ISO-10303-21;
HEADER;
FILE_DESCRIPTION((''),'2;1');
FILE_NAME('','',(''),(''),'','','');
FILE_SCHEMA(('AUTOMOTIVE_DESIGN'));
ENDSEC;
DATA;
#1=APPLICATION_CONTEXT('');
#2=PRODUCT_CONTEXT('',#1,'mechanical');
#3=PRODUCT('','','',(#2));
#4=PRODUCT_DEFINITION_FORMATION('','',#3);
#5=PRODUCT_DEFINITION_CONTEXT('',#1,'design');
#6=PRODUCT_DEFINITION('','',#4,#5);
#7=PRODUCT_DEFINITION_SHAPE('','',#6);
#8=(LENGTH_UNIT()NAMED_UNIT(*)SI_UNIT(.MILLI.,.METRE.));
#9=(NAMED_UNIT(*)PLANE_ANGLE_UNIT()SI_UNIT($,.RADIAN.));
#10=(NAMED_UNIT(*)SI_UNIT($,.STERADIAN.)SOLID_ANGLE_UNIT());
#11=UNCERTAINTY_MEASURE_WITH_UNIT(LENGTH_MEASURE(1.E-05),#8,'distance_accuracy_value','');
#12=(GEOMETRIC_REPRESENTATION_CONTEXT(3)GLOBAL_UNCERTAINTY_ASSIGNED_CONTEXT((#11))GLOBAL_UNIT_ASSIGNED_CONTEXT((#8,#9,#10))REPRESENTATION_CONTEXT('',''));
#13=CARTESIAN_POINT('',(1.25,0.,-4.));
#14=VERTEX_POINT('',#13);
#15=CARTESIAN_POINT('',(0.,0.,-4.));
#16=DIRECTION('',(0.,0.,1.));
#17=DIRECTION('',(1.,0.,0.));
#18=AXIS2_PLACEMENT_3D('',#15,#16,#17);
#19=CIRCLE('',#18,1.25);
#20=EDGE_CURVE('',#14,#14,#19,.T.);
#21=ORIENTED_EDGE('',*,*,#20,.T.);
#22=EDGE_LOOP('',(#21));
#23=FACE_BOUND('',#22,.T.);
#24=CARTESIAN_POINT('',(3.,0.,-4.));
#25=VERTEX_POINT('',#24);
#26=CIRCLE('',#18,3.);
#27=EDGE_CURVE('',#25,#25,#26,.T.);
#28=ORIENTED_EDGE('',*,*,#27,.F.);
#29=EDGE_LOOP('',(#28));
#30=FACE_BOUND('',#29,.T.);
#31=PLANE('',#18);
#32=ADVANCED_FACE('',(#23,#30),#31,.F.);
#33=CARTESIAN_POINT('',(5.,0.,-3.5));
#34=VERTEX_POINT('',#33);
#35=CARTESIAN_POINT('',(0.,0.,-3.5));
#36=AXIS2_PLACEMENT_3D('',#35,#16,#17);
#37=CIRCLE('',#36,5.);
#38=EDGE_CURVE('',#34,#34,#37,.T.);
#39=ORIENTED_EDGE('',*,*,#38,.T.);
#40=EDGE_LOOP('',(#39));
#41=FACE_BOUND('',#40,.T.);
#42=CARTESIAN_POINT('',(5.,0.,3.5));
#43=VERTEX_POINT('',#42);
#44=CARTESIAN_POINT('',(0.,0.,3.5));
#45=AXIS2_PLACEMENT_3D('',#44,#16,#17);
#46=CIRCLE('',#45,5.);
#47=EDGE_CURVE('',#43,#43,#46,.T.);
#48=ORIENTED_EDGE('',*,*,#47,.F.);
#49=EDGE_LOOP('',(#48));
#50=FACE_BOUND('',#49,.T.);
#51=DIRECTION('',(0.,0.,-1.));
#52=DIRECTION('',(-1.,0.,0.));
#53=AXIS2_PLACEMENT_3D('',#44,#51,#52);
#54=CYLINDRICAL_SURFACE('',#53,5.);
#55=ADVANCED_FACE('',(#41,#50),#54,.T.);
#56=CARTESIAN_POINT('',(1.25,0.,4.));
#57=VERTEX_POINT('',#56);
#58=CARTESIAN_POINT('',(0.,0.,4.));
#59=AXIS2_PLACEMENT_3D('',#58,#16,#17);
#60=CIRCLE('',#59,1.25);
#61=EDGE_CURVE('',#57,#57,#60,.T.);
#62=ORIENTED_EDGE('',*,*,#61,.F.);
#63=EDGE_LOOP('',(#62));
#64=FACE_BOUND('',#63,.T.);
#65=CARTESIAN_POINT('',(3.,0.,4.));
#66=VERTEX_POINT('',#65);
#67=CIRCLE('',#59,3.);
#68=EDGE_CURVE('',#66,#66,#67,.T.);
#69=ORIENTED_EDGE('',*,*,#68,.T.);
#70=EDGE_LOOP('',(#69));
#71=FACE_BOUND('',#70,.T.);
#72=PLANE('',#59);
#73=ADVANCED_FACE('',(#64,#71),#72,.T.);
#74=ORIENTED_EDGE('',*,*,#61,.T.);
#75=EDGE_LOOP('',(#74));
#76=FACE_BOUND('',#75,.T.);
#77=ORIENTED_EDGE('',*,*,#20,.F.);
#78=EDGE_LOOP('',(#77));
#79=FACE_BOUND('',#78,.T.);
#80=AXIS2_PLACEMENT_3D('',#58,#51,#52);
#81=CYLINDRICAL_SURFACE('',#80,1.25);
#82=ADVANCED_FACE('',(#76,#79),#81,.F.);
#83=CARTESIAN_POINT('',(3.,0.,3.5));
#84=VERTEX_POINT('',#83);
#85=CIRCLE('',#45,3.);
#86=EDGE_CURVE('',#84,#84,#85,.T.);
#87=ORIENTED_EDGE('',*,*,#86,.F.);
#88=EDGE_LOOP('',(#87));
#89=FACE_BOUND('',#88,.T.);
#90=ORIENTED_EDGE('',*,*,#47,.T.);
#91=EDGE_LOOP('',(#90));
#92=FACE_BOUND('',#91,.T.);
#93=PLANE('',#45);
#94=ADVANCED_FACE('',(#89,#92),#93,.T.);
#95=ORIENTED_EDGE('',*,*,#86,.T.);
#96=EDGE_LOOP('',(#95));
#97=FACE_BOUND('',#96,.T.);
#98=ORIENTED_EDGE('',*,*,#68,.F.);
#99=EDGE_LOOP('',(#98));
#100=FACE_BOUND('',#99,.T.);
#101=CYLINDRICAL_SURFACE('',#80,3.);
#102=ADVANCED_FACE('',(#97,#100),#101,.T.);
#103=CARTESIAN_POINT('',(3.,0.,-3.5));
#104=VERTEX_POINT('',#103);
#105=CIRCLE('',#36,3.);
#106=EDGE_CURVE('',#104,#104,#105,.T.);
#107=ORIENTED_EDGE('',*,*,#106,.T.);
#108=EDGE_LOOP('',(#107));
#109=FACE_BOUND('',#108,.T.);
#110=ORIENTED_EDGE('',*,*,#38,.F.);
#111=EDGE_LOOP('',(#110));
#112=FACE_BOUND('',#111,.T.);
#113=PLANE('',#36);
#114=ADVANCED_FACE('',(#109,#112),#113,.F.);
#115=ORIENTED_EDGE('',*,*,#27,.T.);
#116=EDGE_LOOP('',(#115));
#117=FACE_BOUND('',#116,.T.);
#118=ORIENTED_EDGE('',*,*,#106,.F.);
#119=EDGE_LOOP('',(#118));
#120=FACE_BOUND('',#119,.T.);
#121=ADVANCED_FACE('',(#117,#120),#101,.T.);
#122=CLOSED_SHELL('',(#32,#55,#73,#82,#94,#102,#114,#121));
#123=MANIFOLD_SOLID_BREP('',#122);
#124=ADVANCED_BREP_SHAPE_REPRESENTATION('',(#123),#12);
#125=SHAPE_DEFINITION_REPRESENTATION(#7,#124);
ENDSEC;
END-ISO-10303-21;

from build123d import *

# Parameters (mm, degrees)
SKETCH1_R           = 3
SKETCH1_R_2         = 1.25
BOSS_EXTRUDE1_DEPTH = 4
SKETCH2_R           = 5
SKETCH2_R_2         = 3
BOSS_EXTRUDE2_DEPTH = 3.5


with BuildPart() as part:
    # Sketch1 → Boss-Extrude1 (new, symmetric)
    with BuildSketch(Plane.XY):
        Circle(SKETCH1_R)
        Circle(SKETCH1_R_2, mode=Mode.SUBTRACT)
    extrude(amount=BOSS_EXTRUDE1_DEPTH, both=True)

    # Sketch2 → Boss-Extrude2 (add, symmetric)
    with BuildSketch(Plane.XY):
        Circle(SKETCH2_R)
        Circle(SKETCH2_R_2, mode=Mode.SUBTRACT)
    extrude(amount=BOSS_EXTRUDE2_DEPTH, both=True)


solid = part.part
